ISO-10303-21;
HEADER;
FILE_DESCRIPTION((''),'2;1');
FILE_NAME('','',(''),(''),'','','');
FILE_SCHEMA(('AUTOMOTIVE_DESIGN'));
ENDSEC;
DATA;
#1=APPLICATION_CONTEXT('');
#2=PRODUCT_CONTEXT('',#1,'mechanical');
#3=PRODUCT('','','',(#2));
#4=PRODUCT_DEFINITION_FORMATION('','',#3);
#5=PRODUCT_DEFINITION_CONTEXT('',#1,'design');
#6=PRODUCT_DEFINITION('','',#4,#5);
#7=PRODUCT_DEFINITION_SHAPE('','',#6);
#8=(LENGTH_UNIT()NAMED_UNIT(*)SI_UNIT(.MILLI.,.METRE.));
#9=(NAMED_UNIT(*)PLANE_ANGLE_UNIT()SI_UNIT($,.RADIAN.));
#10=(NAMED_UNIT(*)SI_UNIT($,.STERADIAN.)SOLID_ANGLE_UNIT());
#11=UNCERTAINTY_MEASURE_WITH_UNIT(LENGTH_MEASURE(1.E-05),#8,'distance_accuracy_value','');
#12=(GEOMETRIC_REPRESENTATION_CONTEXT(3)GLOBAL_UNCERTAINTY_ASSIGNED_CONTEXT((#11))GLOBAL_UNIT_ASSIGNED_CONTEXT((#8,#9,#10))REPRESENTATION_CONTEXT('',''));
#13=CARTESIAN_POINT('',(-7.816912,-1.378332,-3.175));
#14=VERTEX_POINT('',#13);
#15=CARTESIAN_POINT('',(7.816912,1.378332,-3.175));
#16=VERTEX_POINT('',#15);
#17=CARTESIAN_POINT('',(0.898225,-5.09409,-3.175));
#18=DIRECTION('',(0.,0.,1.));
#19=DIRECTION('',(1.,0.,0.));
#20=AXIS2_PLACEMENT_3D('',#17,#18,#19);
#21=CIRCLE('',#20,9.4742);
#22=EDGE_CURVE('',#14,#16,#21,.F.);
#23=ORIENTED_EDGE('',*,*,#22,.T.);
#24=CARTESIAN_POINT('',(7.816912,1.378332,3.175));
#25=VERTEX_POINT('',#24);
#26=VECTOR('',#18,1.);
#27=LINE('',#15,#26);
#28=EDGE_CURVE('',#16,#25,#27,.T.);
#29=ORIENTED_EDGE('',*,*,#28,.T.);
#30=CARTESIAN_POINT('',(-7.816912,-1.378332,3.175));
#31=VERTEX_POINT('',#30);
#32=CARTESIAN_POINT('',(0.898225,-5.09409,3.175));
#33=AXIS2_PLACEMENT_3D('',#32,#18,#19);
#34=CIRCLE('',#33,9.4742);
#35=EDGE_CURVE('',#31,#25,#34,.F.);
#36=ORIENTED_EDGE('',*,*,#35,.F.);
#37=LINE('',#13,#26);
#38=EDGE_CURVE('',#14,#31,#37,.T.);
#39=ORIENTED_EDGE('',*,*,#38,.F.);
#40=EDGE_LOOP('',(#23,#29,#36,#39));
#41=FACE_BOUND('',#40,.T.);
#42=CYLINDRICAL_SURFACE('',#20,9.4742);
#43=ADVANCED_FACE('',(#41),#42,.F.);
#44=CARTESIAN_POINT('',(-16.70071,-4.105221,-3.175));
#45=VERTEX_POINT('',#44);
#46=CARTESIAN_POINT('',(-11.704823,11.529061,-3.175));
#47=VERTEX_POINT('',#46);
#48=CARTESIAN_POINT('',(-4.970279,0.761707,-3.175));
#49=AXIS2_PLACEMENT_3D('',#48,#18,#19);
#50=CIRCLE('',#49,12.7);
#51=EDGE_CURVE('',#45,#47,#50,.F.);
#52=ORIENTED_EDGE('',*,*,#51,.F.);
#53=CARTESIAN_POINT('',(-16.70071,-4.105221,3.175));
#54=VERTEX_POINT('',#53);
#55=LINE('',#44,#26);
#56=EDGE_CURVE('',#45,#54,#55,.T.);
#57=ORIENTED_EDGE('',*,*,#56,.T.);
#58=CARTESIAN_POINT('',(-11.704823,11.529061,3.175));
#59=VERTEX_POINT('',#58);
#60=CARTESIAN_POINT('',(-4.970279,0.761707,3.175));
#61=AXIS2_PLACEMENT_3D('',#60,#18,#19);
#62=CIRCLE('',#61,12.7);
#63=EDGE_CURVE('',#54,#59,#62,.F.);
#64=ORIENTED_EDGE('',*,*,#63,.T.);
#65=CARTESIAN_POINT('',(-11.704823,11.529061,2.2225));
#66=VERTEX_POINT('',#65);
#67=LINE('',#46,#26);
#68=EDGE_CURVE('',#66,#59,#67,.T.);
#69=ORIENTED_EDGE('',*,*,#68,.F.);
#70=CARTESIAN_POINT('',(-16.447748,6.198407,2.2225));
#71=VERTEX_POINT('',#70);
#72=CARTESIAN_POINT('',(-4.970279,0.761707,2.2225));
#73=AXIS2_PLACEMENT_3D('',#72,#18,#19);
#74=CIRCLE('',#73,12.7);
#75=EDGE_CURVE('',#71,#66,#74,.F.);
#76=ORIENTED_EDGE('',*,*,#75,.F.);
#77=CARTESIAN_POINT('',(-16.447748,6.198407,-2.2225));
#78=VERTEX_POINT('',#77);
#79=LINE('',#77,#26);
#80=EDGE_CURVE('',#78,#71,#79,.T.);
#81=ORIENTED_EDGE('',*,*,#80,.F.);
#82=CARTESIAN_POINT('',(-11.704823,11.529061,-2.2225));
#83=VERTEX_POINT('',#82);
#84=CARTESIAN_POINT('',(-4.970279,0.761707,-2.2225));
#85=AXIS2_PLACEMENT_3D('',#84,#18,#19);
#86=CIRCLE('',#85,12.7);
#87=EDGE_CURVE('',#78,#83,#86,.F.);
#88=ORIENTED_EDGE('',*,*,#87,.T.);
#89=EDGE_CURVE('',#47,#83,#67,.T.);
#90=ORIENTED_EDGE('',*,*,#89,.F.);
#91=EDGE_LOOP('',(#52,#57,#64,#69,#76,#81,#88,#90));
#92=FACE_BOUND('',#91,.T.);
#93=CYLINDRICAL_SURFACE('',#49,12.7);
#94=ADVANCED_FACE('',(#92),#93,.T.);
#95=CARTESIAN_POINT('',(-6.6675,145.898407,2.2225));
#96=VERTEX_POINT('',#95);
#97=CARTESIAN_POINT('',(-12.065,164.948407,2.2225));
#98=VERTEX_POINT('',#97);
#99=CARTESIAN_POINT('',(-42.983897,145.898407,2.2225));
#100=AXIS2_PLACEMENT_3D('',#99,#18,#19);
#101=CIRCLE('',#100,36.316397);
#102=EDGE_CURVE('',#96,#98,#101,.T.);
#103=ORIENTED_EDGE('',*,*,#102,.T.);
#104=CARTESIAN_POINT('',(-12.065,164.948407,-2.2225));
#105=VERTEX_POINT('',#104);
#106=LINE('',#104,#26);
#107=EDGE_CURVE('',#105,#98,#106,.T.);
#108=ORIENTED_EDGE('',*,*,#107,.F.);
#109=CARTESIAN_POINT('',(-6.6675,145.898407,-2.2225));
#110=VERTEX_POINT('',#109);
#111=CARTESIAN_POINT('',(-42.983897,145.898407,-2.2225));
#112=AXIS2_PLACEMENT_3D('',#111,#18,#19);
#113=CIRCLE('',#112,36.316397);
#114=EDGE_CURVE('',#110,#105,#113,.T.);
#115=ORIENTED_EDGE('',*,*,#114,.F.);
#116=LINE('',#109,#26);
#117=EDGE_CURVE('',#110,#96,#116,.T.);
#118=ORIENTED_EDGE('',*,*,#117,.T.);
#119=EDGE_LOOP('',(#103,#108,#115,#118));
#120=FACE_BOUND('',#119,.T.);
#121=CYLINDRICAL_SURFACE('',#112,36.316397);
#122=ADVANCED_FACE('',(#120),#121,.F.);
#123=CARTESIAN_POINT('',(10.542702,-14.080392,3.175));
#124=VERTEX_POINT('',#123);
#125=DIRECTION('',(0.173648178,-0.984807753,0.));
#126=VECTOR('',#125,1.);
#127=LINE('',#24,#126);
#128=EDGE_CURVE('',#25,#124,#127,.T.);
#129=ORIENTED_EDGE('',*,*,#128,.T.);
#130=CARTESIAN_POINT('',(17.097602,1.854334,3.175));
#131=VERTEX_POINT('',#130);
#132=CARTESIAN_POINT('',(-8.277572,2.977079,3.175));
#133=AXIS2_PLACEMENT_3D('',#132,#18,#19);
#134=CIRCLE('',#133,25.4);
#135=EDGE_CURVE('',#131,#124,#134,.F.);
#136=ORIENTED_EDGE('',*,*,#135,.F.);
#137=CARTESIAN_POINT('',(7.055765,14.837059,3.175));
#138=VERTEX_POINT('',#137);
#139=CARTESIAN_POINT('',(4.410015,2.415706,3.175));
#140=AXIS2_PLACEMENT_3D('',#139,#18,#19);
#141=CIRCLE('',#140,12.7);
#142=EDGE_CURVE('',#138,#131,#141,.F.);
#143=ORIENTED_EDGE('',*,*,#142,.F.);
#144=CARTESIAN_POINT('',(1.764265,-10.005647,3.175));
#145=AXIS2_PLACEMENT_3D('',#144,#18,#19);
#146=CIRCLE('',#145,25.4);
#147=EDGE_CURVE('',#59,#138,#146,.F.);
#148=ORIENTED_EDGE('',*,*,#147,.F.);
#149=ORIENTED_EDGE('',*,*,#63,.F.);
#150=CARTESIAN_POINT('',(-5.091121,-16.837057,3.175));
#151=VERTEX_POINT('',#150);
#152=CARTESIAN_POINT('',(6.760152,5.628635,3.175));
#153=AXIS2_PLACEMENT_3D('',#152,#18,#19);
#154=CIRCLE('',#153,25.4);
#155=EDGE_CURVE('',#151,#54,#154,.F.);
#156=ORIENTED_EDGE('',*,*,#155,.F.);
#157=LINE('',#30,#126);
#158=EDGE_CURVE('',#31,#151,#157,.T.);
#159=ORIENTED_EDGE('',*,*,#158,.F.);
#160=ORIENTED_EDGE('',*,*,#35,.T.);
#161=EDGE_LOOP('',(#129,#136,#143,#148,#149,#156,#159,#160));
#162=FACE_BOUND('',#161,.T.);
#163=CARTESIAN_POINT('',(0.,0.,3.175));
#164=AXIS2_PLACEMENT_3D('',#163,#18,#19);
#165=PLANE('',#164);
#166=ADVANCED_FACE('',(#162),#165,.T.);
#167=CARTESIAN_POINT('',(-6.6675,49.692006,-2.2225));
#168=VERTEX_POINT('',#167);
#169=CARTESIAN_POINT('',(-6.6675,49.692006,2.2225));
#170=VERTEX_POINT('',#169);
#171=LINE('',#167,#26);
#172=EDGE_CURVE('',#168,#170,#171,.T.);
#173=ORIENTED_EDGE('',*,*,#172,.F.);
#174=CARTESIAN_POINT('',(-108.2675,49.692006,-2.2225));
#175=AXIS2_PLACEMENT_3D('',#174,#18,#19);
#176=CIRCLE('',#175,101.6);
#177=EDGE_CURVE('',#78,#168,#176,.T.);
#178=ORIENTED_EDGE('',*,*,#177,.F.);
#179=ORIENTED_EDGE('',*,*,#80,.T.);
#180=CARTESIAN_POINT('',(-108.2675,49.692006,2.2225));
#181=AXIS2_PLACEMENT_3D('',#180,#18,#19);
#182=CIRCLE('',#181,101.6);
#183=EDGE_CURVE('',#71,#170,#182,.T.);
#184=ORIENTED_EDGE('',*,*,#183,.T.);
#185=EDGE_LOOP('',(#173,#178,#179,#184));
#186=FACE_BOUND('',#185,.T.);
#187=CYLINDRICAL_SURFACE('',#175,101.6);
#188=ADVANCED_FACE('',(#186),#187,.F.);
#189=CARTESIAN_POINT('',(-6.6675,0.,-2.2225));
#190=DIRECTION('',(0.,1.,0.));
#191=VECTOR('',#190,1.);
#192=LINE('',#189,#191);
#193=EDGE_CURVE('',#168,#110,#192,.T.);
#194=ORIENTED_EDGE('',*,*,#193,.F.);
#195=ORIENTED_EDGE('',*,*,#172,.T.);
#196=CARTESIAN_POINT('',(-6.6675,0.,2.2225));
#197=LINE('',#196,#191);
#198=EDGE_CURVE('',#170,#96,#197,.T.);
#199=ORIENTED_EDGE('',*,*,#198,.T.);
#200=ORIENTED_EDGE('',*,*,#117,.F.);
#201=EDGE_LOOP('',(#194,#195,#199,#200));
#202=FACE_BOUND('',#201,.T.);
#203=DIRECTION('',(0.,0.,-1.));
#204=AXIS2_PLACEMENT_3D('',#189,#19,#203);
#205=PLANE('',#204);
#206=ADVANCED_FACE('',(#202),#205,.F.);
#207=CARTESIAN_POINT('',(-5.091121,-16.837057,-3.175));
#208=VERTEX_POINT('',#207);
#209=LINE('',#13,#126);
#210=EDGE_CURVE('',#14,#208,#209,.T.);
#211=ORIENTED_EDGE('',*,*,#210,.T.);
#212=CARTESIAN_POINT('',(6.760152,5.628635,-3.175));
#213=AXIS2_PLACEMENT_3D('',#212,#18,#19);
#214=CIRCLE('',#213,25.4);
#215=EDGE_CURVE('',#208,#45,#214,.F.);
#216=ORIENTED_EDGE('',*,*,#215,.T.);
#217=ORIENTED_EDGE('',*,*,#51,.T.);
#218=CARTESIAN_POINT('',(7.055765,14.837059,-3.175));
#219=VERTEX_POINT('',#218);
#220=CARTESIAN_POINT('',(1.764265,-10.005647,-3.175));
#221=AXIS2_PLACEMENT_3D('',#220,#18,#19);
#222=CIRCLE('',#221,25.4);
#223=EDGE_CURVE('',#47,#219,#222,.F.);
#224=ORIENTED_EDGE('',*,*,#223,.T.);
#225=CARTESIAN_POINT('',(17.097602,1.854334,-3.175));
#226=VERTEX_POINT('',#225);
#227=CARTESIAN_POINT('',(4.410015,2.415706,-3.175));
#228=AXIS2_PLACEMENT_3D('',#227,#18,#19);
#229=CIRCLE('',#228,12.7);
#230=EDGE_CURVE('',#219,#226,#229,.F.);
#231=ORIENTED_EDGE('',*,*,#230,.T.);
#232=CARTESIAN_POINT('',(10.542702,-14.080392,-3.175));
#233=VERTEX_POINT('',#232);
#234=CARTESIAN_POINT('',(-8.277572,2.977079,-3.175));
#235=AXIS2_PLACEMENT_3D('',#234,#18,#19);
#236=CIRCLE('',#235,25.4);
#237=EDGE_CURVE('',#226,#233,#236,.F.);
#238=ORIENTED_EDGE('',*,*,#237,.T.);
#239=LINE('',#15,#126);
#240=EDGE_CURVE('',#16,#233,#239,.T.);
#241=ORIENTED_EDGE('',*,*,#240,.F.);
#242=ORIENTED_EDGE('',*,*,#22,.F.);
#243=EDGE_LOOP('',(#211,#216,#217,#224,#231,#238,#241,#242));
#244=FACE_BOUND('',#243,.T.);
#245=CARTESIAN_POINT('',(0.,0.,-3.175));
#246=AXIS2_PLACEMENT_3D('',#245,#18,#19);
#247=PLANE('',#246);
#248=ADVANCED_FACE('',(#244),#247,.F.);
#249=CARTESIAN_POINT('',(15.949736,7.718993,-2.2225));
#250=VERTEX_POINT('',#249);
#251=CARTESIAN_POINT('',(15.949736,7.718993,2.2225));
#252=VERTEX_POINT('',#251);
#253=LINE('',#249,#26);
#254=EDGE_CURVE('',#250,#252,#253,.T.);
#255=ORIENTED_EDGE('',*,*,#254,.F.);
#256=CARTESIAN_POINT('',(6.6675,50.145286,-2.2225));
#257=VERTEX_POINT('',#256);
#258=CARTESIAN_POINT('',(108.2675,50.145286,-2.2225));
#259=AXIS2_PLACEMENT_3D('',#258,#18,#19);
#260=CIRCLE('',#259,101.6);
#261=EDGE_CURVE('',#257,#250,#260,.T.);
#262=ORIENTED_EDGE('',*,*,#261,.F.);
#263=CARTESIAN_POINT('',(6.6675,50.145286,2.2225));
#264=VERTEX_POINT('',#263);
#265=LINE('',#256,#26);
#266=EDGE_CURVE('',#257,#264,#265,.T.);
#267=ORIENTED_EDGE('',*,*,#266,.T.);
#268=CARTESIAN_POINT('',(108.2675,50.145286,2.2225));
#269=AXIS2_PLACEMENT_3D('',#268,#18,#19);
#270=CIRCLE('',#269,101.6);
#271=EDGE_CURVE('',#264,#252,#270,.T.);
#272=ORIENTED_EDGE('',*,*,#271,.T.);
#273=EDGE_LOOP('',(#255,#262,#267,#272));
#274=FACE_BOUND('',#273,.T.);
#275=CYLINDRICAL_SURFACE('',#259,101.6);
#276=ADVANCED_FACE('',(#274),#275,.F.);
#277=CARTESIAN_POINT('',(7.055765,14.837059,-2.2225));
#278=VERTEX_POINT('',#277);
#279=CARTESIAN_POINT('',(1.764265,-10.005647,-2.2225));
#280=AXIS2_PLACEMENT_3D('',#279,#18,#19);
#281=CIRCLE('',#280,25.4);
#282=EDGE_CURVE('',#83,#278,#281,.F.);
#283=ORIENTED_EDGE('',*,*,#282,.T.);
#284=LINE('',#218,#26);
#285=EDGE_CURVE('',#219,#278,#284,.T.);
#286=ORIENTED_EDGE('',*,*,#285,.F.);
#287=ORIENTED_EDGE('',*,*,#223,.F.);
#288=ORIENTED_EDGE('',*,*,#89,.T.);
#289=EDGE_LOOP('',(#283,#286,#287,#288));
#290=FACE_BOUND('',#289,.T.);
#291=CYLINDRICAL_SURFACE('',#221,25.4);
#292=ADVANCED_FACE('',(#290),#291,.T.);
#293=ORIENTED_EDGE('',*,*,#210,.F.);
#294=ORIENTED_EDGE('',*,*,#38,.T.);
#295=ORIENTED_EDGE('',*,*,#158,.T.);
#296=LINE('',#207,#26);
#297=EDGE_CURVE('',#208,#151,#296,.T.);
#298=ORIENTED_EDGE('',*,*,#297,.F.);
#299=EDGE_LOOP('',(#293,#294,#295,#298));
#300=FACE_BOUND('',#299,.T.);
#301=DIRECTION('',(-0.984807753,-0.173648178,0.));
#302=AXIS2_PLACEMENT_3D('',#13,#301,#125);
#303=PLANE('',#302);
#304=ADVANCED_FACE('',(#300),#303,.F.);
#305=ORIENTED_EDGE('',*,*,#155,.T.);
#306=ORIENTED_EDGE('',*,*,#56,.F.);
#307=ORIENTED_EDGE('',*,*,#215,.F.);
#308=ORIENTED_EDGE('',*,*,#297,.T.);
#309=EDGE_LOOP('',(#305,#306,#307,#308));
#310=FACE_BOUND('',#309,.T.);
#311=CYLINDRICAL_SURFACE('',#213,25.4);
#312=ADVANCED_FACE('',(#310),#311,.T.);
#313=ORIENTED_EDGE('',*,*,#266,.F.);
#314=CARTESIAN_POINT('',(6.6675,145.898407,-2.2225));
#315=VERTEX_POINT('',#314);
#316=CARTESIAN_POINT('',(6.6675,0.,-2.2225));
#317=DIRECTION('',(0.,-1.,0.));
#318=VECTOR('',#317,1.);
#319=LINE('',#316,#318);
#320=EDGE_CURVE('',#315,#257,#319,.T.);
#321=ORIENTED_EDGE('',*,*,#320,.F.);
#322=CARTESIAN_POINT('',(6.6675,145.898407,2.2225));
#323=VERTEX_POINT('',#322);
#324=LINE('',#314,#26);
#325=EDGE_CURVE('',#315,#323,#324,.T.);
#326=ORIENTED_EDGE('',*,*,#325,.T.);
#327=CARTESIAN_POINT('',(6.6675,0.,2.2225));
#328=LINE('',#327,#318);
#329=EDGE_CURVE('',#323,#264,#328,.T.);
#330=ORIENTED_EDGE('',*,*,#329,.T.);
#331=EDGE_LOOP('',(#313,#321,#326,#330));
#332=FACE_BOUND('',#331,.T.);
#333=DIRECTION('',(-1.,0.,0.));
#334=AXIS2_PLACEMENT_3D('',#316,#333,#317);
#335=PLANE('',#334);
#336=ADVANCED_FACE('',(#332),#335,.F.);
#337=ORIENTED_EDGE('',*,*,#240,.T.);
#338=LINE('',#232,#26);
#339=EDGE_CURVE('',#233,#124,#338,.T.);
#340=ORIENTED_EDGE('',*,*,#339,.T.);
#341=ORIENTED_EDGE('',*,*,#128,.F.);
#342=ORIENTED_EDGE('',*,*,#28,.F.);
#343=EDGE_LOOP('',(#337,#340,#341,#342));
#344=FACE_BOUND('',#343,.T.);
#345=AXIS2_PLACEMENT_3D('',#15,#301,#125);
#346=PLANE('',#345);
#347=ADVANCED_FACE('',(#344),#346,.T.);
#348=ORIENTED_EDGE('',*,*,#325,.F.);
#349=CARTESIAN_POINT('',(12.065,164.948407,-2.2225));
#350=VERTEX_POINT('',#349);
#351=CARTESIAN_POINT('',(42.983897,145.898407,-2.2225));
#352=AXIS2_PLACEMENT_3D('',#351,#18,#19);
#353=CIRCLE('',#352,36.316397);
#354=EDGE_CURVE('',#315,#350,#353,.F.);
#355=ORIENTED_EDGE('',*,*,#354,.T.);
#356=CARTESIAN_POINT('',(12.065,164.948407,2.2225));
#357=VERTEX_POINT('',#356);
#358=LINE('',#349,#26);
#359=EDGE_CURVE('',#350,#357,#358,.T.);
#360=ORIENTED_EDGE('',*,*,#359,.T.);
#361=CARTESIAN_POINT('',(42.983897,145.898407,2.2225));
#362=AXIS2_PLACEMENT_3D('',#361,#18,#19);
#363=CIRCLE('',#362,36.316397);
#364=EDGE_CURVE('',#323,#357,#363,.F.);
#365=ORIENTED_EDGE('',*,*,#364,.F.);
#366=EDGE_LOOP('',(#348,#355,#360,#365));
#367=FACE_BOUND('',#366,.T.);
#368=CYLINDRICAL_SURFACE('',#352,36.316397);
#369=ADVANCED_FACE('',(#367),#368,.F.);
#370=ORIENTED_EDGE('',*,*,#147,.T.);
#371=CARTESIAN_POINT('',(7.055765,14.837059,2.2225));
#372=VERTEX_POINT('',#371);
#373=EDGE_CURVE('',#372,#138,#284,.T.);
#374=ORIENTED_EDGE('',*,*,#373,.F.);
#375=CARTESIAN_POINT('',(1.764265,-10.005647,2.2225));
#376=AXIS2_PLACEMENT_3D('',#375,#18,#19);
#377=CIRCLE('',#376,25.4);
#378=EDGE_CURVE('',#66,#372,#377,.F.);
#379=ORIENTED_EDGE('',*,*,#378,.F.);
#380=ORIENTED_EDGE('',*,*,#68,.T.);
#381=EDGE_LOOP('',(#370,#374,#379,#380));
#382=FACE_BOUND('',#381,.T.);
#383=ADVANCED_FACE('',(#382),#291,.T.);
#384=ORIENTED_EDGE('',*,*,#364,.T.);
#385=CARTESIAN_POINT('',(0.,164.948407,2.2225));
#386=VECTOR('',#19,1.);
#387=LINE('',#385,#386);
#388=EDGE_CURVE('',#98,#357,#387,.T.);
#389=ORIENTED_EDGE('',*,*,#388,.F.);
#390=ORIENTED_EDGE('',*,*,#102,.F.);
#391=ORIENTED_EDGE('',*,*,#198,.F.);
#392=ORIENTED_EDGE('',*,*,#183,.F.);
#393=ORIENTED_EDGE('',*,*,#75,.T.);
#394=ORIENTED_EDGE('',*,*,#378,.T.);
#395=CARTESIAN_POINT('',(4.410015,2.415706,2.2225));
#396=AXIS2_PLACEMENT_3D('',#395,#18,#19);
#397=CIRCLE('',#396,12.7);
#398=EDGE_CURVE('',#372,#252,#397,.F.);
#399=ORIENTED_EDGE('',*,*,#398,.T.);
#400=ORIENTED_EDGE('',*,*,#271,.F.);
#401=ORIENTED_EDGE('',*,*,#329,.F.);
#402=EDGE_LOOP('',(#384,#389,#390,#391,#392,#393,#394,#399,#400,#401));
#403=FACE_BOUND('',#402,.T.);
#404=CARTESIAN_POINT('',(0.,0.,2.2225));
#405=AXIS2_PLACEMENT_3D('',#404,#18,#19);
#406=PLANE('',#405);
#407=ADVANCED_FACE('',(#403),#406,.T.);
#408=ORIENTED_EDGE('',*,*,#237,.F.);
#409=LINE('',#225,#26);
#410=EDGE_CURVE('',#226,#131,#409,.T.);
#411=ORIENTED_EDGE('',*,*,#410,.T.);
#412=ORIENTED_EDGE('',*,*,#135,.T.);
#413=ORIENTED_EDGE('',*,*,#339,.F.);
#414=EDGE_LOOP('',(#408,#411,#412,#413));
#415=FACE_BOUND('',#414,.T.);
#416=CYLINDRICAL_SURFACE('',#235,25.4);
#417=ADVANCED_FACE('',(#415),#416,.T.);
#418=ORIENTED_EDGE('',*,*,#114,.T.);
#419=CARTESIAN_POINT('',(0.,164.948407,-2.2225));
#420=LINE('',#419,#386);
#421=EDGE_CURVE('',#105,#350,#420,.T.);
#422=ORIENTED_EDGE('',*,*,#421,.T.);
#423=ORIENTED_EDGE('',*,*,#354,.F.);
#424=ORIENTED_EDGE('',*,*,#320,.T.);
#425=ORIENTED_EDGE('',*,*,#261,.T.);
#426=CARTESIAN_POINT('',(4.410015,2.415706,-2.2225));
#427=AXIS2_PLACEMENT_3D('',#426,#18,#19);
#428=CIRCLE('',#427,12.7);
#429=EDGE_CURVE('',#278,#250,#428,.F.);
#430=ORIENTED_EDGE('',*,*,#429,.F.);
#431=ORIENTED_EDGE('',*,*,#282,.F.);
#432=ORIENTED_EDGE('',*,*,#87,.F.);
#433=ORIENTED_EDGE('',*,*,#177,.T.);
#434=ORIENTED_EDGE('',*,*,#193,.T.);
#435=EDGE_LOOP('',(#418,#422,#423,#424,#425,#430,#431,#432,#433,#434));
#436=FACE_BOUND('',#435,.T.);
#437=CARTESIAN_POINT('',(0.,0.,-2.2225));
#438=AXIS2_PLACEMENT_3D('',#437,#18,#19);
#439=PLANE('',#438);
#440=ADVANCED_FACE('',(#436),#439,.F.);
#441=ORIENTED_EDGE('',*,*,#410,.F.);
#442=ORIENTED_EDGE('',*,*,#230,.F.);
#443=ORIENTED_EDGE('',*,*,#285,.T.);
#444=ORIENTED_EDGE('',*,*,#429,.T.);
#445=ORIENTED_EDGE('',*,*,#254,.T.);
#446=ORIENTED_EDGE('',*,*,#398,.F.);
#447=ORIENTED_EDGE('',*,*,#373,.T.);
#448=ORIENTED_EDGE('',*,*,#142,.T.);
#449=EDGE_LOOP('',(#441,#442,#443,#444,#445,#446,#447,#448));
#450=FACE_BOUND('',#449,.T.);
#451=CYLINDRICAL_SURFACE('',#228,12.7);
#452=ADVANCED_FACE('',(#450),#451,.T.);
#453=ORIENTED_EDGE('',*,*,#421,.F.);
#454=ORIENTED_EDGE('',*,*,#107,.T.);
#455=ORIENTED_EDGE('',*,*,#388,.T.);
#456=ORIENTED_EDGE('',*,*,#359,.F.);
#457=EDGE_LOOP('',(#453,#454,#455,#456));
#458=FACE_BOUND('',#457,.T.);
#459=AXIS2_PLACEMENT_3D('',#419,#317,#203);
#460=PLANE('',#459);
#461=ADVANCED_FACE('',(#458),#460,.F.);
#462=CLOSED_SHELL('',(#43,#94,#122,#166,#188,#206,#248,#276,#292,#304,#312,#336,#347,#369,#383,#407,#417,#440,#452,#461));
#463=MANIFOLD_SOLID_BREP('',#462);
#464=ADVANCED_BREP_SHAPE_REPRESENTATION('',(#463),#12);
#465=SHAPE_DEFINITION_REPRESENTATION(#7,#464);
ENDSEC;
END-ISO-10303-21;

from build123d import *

# Parameters (mm, degrees)
HEAD_EXTRUDE_DEPTH        = 3.175
HEAD_EXTRUDE_DEPTH_BACK   = 3.175
HANDLE_EXTRUDE_DEPTH      = 2.2225
HANDLE_EXTRUDE_DEPTH_BACK = 2.2225


with BuildPart() as part:
    # head + handle sketch → head extrude (new, two sides: drawn at the far end of the back side and taken through both)
    with BuildSketch(Plane(origin=(0, 0, 0), x_dir=(0, 1, 0), z_dir=(0, 0, 1)).offset(-HEAD_EXTRUDE_DEPTH_BACK)):
        with BuildLine():
            Line((-16.837056671, 5.091121365), (-1.37833241, 7.81691154))
            ThreePointArc((-1.37833241, 7.81691154), (4.236175861, 0.746952099), (1.37833241, -7.81691154))
            Line((1.37833241, -7.81691154), (-14.08039185, -10.542701714))
            ThreePointArc((-14.08039185, -10.542701714), (-6.685826637, -15.212601851), (1.854333587, -17.097601941))
            ThreePointArc((1.854333587, -17.097601941), (4.855139843, -16.873528347), (7.718992867, -15.94973561))
            ThreePointArc((7.718992867, -15.94973561), (12.331168475, -12.345606251), (14.837059135, -7.055764638))
            ThreePointArc((14.837059135, -7.055764638), (15.008470156, 2.646398228), (11.52906135, 11.704823057))
            ThreePointArc((11.52906135, 11.704823057), (9.203666438, 14.458341062), (6.198407098, 16.44774781))
            ThreePointArc((6.198407098, 16.44774781), (1.073408159, 17.666453114), (-4.105220678, 16.700709816))
            ThreePointArc((-4.105220678, 16.700709816), (-11.48563822, 12.008482318), (-16.837056671, 5.091121365))
        make_face()
    extrude(amount=HEAD_EXTRUDE_DEPTH + HEAD_EXTRUDE_DEPTH_BACK)

    # Sketch2<3> → handle extrude (add, two sides: drawn at the far end of the back side and taken through both)
    with BuildSketch(Plane(origin=(0, 0, 0), x_dir=(0, 1, 0), z_dir=(0, 0, 1)).offset(-HANDLE_EXTRUDE_DEPTH_BACK)):
        with BuildLine():
            ThreePointArc((49.692005566, 6.6675), (27.402174057, 9.142712932), (6.198407098, 16.44774781))
            ThreePointArc((6.198407098, 16.44774781), (9.203666438, 14.458341062), (11.52906135, 11.704823057))
            ThreePointArc((11.52906135, 11.704823057), (15.008470156, 2.646398228), (14.837059135, -7.055764638))
            ThreePointArc((14.837059135, -7.055764638), (12.331168475, -12.345606251), (7.718992867, -15.94973561))
            ThreePointArc((7.718992867, -15.94973561), (28.430370524, -9.015182994), (50.145286343, -6.6675))
            Line((50.145286343, -6.6675), (145.898407098, -6.6675))
            ThreePointArc((145.898407098, -6.6675), (155.798350359, -8.042920845), (164.948407098, -12.065))
            Line((164.948407098, -12.065), (164.948407098, 12.065))
            ThreePointArc((164.948407098, 12.065), (155.798350359, 8.042920845), (145.898407098, 6.6675))
            Line((145.898407098, 6.6675), (49.692005566, 6.6675))
        make_face()
    extrude(amount=HANDLE_EXTRUDE_DEPTH + HANDLE_EXTRUDE_DEPTH_BACK)


solid = part.part
